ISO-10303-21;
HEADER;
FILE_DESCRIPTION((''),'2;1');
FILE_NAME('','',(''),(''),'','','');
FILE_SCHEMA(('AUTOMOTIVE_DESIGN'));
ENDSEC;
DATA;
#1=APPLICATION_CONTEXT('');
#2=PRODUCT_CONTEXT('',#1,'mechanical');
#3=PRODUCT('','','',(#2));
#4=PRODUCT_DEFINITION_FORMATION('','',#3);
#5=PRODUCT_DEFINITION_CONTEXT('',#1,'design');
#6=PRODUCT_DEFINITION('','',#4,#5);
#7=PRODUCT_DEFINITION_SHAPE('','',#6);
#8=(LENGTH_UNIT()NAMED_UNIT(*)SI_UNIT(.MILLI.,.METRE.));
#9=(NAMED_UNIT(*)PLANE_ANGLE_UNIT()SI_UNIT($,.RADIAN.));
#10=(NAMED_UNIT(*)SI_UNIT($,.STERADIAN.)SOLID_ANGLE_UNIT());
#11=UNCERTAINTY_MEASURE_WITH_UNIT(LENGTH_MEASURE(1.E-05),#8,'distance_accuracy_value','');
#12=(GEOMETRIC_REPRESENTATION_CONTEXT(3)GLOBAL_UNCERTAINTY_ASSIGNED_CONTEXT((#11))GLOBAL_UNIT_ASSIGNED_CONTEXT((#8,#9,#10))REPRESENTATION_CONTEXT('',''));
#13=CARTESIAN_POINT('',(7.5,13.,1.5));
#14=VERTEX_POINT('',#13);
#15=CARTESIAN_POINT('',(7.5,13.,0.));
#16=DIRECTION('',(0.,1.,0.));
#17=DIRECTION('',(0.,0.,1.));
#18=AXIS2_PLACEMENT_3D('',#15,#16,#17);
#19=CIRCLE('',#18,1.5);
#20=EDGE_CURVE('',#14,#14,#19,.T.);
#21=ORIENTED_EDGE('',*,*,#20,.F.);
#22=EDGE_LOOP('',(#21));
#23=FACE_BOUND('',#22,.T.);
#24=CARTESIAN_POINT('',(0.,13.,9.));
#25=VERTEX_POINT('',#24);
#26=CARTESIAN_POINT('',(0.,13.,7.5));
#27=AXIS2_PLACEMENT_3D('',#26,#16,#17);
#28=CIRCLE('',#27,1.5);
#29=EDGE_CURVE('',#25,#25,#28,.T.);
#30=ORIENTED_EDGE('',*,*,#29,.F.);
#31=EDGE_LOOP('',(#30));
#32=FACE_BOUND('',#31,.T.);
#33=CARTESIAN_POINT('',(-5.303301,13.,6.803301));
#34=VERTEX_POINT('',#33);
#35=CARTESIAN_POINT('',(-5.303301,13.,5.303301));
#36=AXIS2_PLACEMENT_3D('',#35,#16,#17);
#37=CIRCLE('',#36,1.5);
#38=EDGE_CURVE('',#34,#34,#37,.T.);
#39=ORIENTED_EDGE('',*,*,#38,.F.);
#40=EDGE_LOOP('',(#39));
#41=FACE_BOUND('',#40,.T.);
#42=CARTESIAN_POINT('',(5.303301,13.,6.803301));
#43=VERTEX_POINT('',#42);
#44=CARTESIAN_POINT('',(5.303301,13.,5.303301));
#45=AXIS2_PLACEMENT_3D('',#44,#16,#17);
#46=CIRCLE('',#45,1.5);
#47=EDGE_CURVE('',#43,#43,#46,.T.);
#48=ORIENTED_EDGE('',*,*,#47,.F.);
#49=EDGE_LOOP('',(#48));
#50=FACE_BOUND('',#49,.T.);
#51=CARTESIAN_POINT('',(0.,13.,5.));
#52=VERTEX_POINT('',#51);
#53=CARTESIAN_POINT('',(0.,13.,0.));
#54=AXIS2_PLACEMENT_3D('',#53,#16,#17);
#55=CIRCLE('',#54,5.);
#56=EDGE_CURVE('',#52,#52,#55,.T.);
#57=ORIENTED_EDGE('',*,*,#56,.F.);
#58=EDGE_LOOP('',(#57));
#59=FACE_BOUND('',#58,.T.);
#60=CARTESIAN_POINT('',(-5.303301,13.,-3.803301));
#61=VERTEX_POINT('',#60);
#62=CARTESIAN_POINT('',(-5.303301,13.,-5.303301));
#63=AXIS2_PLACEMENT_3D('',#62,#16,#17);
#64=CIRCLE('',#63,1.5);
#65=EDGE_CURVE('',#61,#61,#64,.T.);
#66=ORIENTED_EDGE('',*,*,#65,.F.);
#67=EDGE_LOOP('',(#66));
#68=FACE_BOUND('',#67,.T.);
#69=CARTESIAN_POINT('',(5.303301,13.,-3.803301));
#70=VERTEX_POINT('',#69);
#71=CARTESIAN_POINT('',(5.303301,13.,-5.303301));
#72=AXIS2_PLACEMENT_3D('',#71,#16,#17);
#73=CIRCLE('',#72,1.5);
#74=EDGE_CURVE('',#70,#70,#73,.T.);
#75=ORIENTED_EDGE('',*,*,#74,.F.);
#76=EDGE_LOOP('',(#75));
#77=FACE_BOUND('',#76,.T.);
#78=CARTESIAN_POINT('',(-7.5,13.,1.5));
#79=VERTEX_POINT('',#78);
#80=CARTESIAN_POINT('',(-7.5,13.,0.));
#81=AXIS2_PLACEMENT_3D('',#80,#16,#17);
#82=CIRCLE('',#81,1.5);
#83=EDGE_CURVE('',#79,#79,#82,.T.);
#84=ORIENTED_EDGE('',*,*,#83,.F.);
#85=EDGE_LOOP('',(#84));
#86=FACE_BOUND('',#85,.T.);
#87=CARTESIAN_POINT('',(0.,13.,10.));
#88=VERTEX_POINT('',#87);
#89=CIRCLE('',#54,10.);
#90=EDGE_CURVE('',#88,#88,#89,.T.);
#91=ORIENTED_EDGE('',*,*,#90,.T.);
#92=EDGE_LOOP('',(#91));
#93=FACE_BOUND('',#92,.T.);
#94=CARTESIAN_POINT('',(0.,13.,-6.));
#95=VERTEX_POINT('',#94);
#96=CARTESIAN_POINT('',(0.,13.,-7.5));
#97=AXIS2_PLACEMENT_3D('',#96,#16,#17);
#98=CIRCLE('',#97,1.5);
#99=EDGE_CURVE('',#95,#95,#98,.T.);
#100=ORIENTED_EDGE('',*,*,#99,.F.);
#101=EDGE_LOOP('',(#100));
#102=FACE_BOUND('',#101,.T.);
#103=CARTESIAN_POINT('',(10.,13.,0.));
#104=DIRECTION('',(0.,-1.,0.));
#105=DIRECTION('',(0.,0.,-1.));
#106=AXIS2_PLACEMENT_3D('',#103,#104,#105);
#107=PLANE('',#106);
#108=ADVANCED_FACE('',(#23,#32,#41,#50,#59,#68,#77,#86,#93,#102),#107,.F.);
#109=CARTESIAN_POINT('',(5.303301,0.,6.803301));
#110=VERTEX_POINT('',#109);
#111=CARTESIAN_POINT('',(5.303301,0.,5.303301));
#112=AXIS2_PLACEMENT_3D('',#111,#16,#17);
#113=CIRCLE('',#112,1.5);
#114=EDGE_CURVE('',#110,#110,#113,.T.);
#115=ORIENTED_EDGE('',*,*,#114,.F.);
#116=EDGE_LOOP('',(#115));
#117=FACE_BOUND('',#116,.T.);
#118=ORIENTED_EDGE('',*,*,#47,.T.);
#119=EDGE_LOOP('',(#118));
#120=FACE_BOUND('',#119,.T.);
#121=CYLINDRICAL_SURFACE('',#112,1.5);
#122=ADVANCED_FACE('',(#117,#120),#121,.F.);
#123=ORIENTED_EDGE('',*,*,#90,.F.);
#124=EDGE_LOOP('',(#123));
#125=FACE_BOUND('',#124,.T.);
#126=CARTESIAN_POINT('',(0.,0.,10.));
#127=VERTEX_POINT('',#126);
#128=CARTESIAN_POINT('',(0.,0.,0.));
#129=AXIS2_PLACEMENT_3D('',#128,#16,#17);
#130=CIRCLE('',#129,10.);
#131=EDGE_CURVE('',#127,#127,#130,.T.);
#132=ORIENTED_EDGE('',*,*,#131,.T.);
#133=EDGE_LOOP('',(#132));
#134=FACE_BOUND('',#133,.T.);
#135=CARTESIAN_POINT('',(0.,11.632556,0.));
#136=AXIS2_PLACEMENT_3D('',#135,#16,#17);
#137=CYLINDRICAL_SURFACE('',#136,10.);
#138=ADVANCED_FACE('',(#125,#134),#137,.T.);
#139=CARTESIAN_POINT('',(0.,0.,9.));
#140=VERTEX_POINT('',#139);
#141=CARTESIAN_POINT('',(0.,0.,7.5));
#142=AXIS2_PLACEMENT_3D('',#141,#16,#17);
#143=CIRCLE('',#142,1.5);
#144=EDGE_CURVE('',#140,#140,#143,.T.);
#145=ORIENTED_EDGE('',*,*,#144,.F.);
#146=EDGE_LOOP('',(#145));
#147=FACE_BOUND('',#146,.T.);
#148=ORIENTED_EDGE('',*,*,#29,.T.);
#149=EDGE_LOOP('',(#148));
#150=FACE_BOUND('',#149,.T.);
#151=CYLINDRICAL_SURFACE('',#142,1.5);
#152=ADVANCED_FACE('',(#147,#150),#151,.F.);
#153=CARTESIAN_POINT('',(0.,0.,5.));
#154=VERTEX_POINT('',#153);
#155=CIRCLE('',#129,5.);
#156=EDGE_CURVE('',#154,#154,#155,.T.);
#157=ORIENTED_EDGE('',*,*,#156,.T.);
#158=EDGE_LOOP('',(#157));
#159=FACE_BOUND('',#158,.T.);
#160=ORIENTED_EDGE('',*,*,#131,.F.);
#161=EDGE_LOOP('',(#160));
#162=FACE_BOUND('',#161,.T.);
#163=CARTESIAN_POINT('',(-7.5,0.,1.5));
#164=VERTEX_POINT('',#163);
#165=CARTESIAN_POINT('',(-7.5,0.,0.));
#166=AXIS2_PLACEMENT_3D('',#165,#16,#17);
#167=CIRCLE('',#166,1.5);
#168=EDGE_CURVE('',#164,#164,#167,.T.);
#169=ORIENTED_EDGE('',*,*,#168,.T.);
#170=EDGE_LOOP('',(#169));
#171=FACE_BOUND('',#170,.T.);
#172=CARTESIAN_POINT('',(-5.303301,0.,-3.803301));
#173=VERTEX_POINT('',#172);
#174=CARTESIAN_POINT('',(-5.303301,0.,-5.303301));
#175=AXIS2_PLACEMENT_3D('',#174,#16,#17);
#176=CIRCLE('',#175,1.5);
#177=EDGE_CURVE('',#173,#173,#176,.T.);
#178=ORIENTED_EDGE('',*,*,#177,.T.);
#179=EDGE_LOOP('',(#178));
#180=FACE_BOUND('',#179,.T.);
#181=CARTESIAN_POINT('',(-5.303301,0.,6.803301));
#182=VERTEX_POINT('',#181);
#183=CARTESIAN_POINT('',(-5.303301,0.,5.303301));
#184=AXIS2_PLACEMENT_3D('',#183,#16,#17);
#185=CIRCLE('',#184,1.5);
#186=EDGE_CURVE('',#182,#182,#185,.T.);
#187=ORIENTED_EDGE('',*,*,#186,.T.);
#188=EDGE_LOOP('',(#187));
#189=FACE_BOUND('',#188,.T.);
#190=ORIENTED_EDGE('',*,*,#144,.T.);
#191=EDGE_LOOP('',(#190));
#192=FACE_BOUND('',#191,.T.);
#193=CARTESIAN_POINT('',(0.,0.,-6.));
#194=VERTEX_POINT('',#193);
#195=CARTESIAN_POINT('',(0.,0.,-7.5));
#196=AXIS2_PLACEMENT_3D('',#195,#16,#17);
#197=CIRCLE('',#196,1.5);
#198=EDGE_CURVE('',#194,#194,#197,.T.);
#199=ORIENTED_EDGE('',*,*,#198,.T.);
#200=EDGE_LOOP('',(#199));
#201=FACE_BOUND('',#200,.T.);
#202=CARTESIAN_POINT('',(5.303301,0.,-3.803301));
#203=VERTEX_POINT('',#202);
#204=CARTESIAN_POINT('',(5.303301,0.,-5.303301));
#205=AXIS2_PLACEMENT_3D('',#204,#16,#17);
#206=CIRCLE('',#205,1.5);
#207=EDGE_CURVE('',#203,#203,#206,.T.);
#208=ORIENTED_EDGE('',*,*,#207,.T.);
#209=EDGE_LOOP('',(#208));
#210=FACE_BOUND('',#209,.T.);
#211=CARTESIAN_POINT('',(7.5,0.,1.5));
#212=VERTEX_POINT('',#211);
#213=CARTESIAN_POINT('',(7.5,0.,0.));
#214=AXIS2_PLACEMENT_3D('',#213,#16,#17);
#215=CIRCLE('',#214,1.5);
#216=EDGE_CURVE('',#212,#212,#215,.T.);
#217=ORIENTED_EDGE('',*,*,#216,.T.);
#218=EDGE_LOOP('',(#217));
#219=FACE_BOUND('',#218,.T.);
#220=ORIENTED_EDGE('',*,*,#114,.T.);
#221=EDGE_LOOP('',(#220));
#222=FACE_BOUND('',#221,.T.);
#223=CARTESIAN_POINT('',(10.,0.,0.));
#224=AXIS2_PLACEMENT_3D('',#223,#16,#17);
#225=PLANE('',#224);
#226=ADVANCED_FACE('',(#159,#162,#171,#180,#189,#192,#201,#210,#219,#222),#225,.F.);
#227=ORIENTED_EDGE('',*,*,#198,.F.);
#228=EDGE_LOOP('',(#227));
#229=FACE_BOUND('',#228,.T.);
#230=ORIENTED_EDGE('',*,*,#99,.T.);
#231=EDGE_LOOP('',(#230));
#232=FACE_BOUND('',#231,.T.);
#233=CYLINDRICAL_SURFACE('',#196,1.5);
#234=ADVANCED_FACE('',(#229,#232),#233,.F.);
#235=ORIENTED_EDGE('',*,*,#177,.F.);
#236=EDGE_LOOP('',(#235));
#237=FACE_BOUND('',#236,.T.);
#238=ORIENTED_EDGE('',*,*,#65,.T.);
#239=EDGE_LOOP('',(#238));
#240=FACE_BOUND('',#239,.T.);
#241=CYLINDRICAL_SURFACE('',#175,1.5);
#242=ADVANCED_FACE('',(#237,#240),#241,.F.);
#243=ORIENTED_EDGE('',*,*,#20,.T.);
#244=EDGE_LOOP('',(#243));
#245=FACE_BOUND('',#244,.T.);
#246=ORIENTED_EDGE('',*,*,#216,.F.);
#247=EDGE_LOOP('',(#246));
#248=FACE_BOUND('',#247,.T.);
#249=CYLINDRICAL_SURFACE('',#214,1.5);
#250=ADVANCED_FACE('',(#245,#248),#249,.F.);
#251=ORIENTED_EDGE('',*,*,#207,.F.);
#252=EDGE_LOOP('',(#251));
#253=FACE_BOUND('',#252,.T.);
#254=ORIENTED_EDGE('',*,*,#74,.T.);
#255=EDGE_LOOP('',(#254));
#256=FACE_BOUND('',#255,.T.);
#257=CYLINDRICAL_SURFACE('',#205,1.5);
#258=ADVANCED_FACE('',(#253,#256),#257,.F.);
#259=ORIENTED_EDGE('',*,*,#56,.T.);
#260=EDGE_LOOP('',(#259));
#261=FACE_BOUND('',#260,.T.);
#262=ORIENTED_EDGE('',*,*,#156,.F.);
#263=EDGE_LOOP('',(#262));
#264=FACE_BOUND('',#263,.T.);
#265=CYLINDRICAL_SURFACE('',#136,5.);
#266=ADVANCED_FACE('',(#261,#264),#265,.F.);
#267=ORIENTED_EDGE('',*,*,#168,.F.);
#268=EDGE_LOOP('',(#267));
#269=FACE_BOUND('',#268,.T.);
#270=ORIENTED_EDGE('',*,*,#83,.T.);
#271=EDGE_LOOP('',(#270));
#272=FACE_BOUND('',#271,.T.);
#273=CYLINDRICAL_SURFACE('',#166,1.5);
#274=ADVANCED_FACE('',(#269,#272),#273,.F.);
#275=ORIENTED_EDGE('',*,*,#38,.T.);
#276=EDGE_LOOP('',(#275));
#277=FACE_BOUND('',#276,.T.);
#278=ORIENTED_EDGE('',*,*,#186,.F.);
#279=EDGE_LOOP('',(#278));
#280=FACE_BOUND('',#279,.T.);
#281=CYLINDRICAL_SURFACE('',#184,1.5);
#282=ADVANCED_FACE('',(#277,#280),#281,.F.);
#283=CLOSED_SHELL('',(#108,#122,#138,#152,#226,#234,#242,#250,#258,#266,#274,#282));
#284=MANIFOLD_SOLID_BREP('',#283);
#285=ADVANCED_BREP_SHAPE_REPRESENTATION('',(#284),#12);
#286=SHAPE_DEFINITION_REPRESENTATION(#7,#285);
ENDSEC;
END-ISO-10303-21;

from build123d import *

# Parameters (mm, degrees)
SKETCH_2_W          = 5
SKETCH_2_H          = 13
SKETCH_3_R          = 1.5
CUT_EXTRUDE_1_DEPTH = 20.209372712


with BuildPart() as part:
    # 草图2 → 旋转1 (revolve)
    with BuildSketch(Plane.XY, mode=Mode.PRIVATE) as revolve_1_sk:
        with Locations((7.5, 6.5)):
            Rectangle(SKETCH_2_W, SKETCH_2_H)
    revolve(revolve_1_sk.sketch.rotate(Axis((0, 11.632555895, 0), (0, -1, 0)), 90), axis=Axis((0, 11.632555895, 0), (0, -1, 0)))

    # 草图3 → 切除-拉伸1 (cut, through all)
    with BuildSketch(Plane(origin=(0, 13, 0), x_dir=(1, 0, 0), z_dir=(0, 1, 0))):
        with Locations(Location((0, 7.5, 0), (0, 0, 270))):
            Circle(SKETCH_3_R)
        with Locations(Location((5.303300859, 5.303300859, 0), (0, 0, 270))):
            Circle(SKETCH_3_R)
        with Locations(Location((7.5, 0, 0), (0, 0, 270))):
            Circle(SKETCH_3_R)
        with Locations(Location((5.303300859, -5.303300859, 0), (0, 0, 270))):
            Circle(SKETCH_3_R)
        with Locations(Location((0, -7.5, 0), (0, 0, 270))):
            Circle(SKETCH_3_R)
        with Locations(Location((-5.303300859, -5.303300859, 0), (0, 0, 270))):
            Circle(SKETCH_3_R)
        with Locations(Location((-7.5, 0, 0), (0, 0, 270))):
            Circle(SKETCH_3_R)
        with Locations(Location((-5.303300859, 5.303300859, 0), (0, 0, 270))):
            Circle(SKETCH_3_R)
    extrude(amount=-CUT_EXTRUDE_1_DEPTH, mode=Mode.SUBTRACT)


solid = part.part
